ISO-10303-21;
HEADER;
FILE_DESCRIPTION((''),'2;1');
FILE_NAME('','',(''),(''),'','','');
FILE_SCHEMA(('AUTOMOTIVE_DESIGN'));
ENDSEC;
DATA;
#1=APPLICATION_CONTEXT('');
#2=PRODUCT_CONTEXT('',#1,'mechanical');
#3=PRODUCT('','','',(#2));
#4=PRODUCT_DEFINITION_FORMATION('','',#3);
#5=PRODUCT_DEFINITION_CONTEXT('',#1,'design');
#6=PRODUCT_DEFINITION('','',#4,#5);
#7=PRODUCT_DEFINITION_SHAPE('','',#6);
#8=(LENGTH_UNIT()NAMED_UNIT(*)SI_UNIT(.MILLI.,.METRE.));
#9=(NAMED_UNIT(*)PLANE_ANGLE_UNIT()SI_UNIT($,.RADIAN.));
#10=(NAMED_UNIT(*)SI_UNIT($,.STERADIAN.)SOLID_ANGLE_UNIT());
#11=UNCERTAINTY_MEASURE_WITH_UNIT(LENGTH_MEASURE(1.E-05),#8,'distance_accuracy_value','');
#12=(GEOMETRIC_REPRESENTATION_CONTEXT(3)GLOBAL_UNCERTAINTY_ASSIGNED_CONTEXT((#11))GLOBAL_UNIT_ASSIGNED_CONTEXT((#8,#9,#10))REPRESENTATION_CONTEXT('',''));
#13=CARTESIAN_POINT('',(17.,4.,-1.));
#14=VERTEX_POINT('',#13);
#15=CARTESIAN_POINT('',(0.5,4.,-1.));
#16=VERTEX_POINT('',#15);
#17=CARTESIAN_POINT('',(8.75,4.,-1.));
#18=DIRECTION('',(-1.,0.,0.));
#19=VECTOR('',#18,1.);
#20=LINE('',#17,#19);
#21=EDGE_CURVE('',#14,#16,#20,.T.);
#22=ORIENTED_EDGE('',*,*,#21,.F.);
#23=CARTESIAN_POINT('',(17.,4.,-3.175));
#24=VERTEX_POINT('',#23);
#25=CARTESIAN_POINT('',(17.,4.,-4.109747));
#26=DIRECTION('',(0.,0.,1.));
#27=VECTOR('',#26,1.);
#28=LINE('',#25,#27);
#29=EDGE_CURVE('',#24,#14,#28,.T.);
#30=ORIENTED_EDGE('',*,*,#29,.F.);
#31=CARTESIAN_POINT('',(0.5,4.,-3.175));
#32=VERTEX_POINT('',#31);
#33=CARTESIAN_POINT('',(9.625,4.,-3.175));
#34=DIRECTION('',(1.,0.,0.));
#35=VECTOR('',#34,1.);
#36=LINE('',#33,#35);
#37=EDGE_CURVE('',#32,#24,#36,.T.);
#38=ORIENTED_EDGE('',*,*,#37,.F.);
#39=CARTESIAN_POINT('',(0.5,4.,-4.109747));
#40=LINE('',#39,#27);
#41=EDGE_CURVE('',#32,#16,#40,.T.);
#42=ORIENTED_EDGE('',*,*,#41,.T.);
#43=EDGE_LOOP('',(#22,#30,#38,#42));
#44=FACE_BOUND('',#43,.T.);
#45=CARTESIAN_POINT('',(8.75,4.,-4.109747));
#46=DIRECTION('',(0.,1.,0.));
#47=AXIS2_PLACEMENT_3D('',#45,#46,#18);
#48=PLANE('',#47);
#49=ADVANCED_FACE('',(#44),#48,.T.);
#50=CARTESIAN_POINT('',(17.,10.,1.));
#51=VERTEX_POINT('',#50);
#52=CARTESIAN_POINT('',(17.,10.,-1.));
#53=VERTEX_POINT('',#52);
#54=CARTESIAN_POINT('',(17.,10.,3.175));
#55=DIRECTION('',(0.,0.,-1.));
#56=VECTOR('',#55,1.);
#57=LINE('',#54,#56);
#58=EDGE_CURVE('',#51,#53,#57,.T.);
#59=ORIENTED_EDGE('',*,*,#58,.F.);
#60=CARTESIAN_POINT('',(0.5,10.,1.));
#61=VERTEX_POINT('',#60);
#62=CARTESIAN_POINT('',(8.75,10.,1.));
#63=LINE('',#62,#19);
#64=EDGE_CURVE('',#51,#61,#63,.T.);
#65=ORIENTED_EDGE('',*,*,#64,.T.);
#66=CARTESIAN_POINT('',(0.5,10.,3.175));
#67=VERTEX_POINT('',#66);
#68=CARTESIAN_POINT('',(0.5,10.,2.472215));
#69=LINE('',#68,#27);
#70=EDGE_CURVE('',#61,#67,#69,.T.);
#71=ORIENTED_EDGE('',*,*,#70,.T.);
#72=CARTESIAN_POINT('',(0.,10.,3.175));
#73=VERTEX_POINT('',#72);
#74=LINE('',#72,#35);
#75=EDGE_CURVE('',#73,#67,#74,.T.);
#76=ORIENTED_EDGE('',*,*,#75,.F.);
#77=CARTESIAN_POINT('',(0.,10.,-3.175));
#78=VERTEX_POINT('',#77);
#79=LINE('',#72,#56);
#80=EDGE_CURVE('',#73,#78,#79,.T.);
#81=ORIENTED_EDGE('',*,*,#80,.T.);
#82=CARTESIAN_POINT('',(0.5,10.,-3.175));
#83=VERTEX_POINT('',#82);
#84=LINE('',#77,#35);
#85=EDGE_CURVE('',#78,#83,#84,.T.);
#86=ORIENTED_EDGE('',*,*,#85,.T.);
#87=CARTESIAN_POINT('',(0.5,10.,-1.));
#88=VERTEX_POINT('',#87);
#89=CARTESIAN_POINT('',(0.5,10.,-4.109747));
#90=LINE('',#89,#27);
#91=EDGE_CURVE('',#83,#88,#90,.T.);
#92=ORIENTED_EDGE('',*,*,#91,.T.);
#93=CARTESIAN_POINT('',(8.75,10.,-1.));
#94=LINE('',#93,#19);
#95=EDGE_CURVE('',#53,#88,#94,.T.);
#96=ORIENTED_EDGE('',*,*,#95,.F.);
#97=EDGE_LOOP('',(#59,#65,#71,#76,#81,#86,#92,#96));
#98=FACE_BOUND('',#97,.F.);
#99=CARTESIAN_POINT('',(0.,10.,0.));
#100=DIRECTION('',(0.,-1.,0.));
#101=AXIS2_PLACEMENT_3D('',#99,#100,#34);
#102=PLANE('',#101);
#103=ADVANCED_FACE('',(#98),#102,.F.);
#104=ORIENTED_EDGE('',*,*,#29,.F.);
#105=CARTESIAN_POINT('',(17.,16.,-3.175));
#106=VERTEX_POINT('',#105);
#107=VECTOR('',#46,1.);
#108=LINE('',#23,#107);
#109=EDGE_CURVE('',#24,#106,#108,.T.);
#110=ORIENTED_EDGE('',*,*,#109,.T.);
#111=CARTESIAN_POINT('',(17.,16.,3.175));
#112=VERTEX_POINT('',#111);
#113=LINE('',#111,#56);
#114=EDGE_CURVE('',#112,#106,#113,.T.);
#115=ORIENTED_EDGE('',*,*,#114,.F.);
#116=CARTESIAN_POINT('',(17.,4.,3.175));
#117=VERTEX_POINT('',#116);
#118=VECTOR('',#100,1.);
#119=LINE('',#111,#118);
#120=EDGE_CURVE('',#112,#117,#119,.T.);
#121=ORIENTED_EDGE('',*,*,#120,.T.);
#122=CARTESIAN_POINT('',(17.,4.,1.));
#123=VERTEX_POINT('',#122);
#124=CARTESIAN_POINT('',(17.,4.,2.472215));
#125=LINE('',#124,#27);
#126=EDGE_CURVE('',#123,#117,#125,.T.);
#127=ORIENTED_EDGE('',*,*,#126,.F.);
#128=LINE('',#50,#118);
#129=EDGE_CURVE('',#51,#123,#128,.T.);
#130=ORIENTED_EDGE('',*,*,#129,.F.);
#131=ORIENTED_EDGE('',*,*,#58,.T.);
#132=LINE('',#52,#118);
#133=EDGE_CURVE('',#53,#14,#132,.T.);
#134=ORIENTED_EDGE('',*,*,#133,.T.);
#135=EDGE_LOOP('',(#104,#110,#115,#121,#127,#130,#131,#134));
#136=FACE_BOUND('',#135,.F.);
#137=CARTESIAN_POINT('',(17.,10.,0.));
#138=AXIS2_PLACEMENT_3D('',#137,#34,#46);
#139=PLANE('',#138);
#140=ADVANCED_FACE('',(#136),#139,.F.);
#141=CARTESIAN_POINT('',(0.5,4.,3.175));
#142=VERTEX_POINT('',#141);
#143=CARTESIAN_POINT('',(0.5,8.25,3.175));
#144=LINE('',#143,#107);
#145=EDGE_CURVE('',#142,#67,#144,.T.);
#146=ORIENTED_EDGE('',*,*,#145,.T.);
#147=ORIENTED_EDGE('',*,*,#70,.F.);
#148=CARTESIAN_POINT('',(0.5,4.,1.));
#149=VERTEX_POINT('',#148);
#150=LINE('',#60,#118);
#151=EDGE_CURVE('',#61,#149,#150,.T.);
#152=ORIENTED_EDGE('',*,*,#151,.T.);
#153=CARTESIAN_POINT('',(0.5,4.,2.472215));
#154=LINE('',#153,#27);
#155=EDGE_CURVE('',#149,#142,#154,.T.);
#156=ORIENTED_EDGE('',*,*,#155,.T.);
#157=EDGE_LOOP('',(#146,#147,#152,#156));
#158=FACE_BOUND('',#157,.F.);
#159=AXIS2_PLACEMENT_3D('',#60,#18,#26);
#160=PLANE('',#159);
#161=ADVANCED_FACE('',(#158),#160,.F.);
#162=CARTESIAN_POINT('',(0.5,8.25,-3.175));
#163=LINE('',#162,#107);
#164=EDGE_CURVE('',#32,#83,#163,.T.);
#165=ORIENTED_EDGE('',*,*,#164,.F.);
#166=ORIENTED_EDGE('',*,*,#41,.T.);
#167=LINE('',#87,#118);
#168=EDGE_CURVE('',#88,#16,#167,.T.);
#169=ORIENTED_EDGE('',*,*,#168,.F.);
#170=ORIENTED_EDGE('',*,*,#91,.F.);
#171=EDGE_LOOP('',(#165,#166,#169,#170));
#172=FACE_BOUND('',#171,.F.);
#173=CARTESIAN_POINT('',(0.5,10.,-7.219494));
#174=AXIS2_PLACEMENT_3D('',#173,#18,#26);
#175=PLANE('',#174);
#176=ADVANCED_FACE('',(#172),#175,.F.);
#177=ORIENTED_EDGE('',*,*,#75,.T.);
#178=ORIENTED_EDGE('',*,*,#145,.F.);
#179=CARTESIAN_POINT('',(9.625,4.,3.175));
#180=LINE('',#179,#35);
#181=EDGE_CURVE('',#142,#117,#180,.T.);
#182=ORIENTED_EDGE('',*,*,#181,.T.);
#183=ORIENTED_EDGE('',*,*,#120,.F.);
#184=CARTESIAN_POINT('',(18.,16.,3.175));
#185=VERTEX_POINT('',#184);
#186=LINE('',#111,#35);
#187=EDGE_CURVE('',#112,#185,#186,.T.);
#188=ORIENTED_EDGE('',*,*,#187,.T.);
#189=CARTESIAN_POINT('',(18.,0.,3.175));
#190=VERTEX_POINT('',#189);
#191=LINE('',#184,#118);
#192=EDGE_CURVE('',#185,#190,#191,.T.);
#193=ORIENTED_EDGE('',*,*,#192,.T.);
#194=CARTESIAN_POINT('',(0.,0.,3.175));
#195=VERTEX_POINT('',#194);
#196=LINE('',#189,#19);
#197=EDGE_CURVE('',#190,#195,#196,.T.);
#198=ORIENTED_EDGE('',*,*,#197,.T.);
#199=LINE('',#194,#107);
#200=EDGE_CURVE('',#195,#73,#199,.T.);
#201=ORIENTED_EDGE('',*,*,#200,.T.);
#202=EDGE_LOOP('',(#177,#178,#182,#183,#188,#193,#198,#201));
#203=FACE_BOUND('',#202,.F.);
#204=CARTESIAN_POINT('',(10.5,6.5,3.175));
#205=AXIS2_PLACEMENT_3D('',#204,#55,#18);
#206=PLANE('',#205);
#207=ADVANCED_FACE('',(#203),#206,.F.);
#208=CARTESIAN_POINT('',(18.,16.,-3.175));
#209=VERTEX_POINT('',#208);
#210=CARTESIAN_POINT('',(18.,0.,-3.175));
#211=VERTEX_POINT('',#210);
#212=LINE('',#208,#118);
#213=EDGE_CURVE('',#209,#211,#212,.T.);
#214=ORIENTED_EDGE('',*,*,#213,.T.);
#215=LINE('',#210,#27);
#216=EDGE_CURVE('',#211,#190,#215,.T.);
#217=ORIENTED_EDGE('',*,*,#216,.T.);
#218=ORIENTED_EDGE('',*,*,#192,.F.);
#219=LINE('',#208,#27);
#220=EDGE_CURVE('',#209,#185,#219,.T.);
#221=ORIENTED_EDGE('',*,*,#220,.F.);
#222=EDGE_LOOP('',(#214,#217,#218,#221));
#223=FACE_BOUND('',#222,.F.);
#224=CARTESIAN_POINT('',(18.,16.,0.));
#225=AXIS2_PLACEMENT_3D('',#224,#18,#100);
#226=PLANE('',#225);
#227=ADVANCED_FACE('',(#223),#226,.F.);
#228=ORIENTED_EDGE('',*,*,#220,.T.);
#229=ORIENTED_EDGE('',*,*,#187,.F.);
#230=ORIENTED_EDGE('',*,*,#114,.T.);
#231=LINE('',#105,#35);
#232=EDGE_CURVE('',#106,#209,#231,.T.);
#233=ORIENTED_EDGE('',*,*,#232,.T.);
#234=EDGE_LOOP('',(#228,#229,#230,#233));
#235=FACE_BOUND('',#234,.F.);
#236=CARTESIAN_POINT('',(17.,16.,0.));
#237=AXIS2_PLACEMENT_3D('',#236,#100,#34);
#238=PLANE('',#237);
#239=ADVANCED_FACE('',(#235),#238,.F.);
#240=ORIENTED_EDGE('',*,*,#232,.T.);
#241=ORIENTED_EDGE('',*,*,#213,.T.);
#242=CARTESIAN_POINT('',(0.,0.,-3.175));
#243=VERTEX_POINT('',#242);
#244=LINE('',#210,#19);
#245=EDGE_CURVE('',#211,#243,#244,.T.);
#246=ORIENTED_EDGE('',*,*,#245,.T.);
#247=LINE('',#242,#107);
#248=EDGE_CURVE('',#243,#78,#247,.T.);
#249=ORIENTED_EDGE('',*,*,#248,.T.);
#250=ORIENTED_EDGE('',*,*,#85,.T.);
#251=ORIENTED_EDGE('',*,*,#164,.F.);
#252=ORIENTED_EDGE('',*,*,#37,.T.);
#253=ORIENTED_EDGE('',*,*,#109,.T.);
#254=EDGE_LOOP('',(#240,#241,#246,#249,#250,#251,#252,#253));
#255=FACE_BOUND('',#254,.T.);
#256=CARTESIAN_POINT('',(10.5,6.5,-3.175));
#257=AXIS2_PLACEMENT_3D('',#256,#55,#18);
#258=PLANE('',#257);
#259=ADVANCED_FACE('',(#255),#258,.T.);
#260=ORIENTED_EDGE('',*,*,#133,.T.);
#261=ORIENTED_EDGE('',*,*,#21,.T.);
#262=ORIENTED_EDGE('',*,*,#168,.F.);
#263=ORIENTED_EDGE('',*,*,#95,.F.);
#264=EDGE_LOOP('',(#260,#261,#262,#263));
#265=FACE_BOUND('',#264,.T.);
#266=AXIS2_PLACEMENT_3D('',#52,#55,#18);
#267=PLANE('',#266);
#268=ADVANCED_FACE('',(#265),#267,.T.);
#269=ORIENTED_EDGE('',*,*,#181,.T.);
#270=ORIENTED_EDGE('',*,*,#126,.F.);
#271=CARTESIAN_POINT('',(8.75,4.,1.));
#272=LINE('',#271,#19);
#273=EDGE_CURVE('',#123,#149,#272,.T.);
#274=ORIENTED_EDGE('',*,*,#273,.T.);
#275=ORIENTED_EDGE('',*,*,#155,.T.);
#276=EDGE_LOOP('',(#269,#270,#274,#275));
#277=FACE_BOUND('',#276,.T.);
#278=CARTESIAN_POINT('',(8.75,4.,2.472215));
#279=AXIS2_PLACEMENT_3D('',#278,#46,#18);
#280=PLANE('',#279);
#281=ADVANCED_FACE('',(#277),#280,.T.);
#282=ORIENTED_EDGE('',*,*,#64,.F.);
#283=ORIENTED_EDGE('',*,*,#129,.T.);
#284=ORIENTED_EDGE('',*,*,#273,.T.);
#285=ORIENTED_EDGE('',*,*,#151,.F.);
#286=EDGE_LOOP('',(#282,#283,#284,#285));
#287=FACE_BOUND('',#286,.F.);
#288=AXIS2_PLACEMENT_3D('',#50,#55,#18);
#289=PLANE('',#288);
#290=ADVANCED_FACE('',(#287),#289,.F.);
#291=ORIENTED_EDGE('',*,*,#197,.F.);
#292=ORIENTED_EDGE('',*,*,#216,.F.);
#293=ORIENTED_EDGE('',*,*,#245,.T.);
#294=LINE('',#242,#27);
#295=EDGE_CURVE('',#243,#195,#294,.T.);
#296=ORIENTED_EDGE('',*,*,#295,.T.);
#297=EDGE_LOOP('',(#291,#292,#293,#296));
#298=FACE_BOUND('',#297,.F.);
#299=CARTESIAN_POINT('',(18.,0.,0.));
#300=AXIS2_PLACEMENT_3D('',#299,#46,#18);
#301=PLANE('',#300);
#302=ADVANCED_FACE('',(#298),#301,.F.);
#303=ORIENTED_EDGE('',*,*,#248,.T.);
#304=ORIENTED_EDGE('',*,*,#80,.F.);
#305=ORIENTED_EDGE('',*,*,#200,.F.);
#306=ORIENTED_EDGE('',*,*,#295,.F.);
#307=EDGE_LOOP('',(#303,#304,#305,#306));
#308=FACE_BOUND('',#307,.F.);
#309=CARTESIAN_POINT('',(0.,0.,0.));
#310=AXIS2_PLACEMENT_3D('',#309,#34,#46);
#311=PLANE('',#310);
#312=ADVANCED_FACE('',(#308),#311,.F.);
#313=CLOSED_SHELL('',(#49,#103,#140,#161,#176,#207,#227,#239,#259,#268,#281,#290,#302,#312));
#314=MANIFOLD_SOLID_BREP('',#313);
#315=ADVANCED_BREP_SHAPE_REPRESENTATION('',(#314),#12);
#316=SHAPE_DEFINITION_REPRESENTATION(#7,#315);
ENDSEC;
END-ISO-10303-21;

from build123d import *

# Parameters (mm, degrees)
PAD_DEPTH     = 3.175
SKETCH001_W   = 16.5
SKETCH001_H   = 2.94443
SKETCH001_H_2 = 6.219495
POCKET_DEPTH  = 6


with BuildPart() as part:
    # Sketch → Pad (new body, symmetric)
    with BuildSketch(Plane.XY):
        Polygon((0, 0), (0, 10), (17, 10), (17, 16), (18, 16), (18, 0), align=None)
    extrude(amount=PAD_DEPTH, both=True)

    # Sketch001 (on Face2 of Pad) → Pocket (cut)
    with BuildSketch(Plane(origin=(0, 10, 0), x_dir=(-1, 0, 0), z_dir=(0, 1, 0))):
        with Locations((-8.75, 2.472215)):
            Rectangle(SKETCH001_W, SKETCH001_H)
        with Locations((-8.75, -4.109747)):
            Rectangle(SKETCH001_W, SKETCH001_H_2)
    extrude(amount=-POCKET_DEPTH, mode=Mode.SUBTRACT)


solid = part.part
